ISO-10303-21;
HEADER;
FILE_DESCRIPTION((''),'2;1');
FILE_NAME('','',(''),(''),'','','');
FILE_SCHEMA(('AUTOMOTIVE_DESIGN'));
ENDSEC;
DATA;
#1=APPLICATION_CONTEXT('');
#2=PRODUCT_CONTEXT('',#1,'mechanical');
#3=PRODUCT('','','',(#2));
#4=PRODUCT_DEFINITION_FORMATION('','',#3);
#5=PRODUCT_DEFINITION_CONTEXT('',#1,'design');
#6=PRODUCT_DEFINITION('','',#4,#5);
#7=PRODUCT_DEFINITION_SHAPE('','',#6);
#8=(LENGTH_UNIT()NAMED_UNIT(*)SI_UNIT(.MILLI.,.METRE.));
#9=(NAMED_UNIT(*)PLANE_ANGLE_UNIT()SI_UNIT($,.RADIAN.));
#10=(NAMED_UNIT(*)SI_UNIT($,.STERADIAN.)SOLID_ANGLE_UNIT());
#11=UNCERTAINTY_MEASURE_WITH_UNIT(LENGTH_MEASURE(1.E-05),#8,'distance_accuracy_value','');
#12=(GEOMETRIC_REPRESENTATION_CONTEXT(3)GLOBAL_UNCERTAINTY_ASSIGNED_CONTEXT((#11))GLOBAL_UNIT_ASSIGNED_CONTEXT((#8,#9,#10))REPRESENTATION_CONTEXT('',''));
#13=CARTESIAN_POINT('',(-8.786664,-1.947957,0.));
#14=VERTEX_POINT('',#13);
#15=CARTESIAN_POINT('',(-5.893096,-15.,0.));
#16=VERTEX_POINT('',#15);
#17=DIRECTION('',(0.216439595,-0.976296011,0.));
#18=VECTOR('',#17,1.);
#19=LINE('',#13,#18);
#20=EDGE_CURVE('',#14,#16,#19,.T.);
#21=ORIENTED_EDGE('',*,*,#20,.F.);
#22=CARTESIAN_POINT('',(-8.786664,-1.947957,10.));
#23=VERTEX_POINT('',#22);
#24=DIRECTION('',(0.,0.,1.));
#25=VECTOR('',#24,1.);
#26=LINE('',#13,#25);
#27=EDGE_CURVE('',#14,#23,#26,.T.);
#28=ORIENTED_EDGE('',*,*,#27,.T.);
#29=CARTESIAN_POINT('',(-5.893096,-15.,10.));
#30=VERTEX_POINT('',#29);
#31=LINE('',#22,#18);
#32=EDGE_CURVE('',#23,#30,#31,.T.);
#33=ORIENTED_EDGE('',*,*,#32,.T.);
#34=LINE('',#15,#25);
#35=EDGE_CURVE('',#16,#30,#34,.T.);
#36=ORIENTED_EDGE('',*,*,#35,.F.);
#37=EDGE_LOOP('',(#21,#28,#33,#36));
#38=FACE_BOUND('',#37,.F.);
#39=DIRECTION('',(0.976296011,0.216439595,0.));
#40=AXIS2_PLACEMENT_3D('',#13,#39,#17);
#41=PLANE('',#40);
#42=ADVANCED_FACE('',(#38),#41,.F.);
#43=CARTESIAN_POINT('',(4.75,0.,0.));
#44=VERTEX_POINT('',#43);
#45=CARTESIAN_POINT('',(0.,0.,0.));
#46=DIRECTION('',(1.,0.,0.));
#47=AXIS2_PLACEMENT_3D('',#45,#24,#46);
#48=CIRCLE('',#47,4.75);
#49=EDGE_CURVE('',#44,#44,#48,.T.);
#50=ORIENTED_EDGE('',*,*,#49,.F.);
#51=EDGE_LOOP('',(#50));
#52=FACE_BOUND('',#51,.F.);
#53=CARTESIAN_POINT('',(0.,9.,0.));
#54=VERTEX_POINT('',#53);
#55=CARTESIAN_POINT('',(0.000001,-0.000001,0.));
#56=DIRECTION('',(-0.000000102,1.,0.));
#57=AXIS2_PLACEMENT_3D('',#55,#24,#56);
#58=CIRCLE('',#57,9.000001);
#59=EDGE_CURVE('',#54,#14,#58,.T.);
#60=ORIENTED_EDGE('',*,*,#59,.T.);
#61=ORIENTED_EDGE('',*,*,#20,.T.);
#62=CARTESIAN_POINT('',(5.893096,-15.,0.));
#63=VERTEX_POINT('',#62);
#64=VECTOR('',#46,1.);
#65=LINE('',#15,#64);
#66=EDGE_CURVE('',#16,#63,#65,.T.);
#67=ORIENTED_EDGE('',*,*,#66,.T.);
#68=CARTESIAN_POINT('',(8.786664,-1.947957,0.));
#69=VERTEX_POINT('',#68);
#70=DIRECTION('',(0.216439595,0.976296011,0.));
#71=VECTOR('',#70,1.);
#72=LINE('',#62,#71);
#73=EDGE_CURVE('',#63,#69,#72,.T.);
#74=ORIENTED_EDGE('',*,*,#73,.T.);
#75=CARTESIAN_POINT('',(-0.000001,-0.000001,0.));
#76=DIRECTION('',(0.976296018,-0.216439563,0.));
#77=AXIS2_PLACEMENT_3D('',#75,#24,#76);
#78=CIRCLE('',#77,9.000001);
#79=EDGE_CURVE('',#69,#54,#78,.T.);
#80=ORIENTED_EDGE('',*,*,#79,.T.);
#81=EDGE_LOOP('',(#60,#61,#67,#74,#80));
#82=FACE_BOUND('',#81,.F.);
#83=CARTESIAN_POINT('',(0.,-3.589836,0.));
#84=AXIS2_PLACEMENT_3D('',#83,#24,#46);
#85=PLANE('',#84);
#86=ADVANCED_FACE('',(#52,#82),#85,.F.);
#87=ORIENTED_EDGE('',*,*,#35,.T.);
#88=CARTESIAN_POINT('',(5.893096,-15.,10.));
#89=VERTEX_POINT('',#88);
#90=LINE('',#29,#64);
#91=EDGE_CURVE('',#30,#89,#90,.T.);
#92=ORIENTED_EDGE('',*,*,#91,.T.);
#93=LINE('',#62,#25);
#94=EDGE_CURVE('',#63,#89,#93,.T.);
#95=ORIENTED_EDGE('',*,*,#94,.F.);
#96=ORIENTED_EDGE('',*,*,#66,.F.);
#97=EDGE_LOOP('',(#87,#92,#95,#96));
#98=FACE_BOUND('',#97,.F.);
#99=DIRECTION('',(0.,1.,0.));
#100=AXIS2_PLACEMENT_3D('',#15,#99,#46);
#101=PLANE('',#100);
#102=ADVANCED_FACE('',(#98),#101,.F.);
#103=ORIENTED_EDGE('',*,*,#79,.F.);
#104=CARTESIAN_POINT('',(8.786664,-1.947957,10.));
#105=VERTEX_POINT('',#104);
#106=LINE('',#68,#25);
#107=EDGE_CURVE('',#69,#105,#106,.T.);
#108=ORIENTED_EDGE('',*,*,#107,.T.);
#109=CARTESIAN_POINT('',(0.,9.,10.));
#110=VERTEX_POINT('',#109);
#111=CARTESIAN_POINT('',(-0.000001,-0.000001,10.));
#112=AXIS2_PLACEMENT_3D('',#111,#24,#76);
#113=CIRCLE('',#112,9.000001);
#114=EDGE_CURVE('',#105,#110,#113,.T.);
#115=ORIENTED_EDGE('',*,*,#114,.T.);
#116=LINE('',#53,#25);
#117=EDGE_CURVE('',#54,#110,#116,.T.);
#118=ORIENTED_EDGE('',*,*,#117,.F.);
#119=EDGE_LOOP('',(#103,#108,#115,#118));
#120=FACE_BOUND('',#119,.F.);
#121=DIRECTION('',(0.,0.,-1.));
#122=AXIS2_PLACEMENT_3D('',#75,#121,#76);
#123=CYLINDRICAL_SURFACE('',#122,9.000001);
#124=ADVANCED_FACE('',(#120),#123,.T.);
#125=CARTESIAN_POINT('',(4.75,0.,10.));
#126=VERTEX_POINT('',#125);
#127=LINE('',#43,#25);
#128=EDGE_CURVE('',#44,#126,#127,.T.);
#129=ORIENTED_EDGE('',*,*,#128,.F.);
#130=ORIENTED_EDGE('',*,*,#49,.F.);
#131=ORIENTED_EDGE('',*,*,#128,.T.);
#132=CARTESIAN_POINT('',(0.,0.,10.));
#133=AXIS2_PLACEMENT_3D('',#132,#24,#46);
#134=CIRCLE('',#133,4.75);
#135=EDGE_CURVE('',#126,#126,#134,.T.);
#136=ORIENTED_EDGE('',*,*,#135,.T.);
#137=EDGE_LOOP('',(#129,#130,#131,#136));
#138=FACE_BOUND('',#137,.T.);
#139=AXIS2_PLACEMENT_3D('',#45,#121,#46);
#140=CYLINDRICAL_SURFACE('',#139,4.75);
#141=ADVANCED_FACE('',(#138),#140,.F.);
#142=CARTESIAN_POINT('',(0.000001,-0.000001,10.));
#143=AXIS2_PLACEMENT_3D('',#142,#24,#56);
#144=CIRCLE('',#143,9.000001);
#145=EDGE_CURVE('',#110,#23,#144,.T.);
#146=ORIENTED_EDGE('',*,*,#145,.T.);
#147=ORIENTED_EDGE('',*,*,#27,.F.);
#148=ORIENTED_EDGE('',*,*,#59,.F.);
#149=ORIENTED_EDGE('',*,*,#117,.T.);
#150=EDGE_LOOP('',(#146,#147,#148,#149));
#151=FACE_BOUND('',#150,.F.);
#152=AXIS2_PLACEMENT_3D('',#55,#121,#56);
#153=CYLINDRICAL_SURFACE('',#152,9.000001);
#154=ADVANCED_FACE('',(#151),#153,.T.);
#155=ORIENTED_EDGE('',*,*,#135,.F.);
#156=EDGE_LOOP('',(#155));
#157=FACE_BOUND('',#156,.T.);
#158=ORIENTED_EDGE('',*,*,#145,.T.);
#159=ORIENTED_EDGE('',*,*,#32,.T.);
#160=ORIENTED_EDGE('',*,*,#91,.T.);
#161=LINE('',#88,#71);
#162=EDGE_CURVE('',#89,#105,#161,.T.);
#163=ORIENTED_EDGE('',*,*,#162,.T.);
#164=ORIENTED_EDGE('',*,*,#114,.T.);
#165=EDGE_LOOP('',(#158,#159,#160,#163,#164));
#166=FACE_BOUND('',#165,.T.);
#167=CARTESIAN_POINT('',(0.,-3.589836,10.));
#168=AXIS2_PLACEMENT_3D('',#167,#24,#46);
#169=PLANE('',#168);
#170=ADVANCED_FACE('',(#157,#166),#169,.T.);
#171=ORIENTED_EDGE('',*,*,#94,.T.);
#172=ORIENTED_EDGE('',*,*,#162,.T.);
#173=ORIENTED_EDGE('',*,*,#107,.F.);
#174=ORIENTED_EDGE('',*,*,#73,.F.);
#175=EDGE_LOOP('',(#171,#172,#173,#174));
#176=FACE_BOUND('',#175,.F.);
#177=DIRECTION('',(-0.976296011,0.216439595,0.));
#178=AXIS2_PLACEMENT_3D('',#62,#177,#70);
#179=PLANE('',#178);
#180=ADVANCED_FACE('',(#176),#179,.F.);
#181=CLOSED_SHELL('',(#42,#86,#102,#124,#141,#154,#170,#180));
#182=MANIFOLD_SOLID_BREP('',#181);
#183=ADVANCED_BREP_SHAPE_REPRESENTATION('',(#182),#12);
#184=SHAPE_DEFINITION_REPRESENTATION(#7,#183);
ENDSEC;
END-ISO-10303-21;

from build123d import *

# Parameters (mm, degrees)
F0_R     = 4.75
F1_DEPTH = 10


with BuildPart() as f1:
    # F0 (on Top) → F1 (new body)
    with BuildSketch(Plane.XY):
        with BuildLine():
            ThreePointArc((8.786664, -1.947957), (7.01896, 5.633311), (0, 9))
            ThreePointArc((0, 9), (-7.01896, 5.633311), (-8.786664, -1.947957))
            Line((-8.786664, -1.947957), (-5.893096, -15))
            Line((-5.893096, -15), (0, -15))
            Line((0, -15), (5.893096, -15))
            Line((5.893096, -15), (8.786664, -1.947957))
        make_face()
        Circle(F0_R, mode=Mode.SUBTRACT)
    extrude(amount=F1_DEPTH)


solid = f1.part
